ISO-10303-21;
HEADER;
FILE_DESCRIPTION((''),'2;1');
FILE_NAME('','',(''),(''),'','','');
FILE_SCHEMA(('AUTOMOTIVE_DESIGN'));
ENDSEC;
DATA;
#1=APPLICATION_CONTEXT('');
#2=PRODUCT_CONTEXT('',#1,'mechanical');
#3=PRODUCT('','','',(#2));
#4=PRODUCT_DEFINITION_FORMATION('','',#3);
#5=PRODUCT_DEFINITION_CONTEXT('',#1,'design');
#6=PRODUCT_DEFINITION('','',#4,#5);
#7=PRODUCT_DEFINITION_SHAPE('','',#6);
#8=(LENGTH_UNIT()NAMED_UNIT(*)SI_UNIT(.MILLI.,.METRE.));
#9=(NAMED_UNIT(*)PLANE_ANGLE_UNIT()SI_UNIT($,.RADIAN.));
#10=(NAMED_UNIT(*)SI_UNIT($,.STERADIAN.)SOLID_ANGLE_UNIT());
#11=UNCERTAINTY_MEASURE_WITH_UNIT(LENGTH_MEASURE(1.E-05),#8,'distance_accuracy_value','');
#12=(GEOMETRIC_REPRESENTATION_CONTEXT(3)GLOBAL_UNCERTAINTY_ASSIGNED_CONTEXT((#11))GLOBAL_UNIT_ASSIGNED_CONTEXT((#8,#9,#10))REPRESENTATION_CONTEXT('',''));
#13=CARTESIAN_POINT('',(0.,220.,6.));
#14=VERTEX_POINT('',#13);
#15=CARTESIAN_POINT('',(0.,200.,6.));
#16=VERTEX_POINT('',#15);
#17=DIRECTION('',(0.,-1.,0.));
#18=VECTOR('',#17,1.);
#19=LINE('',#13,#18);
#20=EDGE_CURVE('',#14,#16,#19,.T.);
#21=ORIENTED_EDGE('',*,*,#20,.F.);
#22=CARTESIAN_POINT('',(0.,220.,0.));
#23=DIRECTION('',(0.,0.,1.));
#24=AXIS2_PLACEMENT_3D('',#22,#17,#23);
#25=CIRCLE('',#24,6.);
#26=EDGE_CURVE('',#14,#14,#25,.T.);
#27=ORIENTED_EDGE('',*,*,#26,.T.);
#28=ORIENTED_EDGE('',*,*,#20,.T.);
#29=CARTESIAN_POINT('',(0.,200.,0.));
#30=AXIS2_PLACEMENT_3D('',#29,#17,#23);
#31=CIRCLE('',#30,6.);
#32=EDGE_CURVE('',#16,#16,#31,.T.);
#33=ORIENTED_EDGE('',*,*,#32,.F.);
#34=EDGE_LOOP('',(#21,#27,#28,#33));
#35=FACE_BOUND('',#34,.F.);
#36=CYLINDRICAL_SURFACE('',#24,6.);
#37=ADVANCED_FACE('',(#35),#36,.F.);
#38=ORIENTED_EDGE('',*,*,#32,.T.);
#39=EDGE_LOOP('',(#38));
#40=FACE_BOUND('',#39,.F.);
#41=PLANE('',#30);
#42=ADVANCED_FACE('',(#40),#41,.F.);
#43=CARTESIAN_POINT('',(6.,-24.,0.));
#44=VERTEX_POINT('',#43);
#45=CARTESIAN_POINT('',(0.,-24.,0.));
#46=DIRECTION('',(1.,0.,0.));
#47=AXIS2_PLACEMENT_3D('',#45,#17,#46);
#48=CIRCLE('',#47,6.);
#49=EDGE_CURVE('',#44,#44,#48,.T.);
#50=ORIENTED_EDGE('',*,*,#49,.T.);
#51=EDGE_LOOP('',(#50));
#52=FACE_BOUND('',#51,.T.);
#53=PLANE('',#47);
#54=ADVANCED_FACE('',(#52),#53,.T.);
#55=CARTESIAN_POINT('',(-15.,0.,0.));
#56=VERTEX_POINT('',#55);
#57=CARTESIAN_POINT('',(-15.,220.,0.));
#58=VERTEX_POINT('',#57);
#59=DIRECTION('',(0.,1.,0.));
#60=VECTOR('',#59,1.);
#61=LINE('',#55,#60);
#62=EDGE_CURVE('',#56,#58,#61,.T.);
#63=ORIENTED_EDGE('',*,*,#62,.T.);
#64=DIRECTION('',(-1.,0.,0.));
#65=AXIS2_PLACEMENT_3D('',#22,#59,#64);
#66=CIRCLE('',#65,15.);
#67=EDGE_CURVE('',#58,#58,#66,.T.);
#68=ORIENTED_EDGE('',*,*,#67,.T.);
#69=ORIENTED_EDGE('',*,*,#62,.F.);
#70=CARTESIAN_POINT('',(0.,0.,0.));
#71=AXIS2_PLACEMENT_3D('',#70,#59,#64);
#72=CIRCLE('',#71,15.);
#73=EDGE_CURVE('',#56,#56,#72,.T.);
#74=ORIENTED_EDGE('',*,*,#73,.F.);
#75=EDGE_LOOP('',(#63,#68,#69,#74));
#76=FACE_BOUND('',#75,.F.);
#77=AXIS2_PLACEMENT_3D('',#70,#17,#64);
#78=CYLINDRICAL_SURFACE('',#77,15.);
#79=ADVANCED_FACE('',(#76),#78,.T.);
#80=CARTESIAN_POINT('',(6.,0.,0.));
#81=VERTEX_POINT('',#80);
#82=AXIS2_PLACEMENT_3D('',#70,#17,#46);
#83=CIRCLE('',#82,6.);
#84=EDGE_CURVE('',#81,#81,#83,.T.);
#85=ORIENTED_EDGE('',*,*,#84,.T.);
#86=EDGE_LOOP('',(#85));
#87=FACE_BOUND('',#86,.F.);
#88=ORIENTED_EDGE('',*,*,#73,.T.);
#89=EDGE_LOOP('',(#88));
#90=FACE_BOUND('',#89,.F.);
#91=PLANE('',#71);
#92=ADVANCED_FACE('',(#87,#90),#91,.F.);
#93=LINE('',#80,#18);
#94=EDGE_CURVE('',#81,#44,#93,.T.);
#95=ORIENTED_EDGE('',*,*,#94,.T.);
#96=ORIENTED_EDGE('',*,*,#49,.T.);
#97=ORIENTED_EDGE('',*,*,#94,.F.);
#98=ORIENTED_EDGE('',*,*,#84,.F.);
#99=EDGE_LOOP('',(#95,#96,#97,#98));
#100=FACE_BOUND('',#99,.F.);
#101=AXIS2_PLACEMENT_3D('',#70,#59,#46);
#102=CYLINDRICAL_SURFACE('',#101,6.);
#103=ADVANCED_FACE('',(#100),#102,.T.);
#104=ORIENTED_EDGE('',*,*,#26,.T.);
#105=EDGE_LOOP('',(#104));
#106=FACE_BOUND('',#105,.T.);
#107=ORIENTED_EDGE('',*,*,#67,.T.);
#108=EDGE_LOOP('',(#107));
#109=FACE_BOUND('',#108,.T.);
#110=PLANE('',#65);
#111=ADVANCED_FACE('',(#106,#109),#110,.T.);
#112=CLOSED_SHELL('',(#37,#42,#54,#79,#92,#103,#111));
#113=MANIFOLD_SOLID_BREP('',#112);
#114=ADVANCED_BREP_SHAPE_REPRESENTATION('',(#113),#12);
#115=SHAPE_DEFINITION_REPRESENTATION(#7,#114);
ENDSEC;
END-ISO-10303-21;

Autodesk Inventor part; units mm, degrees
ref_plane "YZ Plane" through (0, 0, 0) normal (1, 0, 0) x (0, 1, 0)
ref_plane "XZ Plane" through (0, 0, 0) normal (0, 1, 0) x (-1, 0, 0)
ref_plane "XY Plane" through (0, 0, 0) normal (0, 0, 1) x (1, 0, 0)
sketch "Skizze1" plane through (0, 0, 0) normal (0, 1, 0) x (-1, 0, 0)
  circle A0 centre (0, 0) radius 15
  dimension "d0" = 30
extrude "Extrusion1" add sketch "Skizze1" along normal blind 220
sketch "Skizze2" plane through (0, 0, 0) normal (0, -1, 0) x (1, 0, 0)
  circle A0 centre (0, 0) radius 6
  dimension "d3" = 12
extrude "Extrusion2" add sketch "Skizze2" along normal blind 24
thread "Gewinde1" size "M12x1.75" class "6g" standard "ISO Metric profile" full length
sketch "Skizze3" plane through (0, 220, 0) normal (0, 1, 0) x (1, 0, 0)
  circle A0 centre (0, 0) radius 15 projected
hole "Bohrung1" at (0, 220, 0) direction (0, -1, 0) diameter 12 depth 20
properties part number "3" material "Kupfer, Legierung"
